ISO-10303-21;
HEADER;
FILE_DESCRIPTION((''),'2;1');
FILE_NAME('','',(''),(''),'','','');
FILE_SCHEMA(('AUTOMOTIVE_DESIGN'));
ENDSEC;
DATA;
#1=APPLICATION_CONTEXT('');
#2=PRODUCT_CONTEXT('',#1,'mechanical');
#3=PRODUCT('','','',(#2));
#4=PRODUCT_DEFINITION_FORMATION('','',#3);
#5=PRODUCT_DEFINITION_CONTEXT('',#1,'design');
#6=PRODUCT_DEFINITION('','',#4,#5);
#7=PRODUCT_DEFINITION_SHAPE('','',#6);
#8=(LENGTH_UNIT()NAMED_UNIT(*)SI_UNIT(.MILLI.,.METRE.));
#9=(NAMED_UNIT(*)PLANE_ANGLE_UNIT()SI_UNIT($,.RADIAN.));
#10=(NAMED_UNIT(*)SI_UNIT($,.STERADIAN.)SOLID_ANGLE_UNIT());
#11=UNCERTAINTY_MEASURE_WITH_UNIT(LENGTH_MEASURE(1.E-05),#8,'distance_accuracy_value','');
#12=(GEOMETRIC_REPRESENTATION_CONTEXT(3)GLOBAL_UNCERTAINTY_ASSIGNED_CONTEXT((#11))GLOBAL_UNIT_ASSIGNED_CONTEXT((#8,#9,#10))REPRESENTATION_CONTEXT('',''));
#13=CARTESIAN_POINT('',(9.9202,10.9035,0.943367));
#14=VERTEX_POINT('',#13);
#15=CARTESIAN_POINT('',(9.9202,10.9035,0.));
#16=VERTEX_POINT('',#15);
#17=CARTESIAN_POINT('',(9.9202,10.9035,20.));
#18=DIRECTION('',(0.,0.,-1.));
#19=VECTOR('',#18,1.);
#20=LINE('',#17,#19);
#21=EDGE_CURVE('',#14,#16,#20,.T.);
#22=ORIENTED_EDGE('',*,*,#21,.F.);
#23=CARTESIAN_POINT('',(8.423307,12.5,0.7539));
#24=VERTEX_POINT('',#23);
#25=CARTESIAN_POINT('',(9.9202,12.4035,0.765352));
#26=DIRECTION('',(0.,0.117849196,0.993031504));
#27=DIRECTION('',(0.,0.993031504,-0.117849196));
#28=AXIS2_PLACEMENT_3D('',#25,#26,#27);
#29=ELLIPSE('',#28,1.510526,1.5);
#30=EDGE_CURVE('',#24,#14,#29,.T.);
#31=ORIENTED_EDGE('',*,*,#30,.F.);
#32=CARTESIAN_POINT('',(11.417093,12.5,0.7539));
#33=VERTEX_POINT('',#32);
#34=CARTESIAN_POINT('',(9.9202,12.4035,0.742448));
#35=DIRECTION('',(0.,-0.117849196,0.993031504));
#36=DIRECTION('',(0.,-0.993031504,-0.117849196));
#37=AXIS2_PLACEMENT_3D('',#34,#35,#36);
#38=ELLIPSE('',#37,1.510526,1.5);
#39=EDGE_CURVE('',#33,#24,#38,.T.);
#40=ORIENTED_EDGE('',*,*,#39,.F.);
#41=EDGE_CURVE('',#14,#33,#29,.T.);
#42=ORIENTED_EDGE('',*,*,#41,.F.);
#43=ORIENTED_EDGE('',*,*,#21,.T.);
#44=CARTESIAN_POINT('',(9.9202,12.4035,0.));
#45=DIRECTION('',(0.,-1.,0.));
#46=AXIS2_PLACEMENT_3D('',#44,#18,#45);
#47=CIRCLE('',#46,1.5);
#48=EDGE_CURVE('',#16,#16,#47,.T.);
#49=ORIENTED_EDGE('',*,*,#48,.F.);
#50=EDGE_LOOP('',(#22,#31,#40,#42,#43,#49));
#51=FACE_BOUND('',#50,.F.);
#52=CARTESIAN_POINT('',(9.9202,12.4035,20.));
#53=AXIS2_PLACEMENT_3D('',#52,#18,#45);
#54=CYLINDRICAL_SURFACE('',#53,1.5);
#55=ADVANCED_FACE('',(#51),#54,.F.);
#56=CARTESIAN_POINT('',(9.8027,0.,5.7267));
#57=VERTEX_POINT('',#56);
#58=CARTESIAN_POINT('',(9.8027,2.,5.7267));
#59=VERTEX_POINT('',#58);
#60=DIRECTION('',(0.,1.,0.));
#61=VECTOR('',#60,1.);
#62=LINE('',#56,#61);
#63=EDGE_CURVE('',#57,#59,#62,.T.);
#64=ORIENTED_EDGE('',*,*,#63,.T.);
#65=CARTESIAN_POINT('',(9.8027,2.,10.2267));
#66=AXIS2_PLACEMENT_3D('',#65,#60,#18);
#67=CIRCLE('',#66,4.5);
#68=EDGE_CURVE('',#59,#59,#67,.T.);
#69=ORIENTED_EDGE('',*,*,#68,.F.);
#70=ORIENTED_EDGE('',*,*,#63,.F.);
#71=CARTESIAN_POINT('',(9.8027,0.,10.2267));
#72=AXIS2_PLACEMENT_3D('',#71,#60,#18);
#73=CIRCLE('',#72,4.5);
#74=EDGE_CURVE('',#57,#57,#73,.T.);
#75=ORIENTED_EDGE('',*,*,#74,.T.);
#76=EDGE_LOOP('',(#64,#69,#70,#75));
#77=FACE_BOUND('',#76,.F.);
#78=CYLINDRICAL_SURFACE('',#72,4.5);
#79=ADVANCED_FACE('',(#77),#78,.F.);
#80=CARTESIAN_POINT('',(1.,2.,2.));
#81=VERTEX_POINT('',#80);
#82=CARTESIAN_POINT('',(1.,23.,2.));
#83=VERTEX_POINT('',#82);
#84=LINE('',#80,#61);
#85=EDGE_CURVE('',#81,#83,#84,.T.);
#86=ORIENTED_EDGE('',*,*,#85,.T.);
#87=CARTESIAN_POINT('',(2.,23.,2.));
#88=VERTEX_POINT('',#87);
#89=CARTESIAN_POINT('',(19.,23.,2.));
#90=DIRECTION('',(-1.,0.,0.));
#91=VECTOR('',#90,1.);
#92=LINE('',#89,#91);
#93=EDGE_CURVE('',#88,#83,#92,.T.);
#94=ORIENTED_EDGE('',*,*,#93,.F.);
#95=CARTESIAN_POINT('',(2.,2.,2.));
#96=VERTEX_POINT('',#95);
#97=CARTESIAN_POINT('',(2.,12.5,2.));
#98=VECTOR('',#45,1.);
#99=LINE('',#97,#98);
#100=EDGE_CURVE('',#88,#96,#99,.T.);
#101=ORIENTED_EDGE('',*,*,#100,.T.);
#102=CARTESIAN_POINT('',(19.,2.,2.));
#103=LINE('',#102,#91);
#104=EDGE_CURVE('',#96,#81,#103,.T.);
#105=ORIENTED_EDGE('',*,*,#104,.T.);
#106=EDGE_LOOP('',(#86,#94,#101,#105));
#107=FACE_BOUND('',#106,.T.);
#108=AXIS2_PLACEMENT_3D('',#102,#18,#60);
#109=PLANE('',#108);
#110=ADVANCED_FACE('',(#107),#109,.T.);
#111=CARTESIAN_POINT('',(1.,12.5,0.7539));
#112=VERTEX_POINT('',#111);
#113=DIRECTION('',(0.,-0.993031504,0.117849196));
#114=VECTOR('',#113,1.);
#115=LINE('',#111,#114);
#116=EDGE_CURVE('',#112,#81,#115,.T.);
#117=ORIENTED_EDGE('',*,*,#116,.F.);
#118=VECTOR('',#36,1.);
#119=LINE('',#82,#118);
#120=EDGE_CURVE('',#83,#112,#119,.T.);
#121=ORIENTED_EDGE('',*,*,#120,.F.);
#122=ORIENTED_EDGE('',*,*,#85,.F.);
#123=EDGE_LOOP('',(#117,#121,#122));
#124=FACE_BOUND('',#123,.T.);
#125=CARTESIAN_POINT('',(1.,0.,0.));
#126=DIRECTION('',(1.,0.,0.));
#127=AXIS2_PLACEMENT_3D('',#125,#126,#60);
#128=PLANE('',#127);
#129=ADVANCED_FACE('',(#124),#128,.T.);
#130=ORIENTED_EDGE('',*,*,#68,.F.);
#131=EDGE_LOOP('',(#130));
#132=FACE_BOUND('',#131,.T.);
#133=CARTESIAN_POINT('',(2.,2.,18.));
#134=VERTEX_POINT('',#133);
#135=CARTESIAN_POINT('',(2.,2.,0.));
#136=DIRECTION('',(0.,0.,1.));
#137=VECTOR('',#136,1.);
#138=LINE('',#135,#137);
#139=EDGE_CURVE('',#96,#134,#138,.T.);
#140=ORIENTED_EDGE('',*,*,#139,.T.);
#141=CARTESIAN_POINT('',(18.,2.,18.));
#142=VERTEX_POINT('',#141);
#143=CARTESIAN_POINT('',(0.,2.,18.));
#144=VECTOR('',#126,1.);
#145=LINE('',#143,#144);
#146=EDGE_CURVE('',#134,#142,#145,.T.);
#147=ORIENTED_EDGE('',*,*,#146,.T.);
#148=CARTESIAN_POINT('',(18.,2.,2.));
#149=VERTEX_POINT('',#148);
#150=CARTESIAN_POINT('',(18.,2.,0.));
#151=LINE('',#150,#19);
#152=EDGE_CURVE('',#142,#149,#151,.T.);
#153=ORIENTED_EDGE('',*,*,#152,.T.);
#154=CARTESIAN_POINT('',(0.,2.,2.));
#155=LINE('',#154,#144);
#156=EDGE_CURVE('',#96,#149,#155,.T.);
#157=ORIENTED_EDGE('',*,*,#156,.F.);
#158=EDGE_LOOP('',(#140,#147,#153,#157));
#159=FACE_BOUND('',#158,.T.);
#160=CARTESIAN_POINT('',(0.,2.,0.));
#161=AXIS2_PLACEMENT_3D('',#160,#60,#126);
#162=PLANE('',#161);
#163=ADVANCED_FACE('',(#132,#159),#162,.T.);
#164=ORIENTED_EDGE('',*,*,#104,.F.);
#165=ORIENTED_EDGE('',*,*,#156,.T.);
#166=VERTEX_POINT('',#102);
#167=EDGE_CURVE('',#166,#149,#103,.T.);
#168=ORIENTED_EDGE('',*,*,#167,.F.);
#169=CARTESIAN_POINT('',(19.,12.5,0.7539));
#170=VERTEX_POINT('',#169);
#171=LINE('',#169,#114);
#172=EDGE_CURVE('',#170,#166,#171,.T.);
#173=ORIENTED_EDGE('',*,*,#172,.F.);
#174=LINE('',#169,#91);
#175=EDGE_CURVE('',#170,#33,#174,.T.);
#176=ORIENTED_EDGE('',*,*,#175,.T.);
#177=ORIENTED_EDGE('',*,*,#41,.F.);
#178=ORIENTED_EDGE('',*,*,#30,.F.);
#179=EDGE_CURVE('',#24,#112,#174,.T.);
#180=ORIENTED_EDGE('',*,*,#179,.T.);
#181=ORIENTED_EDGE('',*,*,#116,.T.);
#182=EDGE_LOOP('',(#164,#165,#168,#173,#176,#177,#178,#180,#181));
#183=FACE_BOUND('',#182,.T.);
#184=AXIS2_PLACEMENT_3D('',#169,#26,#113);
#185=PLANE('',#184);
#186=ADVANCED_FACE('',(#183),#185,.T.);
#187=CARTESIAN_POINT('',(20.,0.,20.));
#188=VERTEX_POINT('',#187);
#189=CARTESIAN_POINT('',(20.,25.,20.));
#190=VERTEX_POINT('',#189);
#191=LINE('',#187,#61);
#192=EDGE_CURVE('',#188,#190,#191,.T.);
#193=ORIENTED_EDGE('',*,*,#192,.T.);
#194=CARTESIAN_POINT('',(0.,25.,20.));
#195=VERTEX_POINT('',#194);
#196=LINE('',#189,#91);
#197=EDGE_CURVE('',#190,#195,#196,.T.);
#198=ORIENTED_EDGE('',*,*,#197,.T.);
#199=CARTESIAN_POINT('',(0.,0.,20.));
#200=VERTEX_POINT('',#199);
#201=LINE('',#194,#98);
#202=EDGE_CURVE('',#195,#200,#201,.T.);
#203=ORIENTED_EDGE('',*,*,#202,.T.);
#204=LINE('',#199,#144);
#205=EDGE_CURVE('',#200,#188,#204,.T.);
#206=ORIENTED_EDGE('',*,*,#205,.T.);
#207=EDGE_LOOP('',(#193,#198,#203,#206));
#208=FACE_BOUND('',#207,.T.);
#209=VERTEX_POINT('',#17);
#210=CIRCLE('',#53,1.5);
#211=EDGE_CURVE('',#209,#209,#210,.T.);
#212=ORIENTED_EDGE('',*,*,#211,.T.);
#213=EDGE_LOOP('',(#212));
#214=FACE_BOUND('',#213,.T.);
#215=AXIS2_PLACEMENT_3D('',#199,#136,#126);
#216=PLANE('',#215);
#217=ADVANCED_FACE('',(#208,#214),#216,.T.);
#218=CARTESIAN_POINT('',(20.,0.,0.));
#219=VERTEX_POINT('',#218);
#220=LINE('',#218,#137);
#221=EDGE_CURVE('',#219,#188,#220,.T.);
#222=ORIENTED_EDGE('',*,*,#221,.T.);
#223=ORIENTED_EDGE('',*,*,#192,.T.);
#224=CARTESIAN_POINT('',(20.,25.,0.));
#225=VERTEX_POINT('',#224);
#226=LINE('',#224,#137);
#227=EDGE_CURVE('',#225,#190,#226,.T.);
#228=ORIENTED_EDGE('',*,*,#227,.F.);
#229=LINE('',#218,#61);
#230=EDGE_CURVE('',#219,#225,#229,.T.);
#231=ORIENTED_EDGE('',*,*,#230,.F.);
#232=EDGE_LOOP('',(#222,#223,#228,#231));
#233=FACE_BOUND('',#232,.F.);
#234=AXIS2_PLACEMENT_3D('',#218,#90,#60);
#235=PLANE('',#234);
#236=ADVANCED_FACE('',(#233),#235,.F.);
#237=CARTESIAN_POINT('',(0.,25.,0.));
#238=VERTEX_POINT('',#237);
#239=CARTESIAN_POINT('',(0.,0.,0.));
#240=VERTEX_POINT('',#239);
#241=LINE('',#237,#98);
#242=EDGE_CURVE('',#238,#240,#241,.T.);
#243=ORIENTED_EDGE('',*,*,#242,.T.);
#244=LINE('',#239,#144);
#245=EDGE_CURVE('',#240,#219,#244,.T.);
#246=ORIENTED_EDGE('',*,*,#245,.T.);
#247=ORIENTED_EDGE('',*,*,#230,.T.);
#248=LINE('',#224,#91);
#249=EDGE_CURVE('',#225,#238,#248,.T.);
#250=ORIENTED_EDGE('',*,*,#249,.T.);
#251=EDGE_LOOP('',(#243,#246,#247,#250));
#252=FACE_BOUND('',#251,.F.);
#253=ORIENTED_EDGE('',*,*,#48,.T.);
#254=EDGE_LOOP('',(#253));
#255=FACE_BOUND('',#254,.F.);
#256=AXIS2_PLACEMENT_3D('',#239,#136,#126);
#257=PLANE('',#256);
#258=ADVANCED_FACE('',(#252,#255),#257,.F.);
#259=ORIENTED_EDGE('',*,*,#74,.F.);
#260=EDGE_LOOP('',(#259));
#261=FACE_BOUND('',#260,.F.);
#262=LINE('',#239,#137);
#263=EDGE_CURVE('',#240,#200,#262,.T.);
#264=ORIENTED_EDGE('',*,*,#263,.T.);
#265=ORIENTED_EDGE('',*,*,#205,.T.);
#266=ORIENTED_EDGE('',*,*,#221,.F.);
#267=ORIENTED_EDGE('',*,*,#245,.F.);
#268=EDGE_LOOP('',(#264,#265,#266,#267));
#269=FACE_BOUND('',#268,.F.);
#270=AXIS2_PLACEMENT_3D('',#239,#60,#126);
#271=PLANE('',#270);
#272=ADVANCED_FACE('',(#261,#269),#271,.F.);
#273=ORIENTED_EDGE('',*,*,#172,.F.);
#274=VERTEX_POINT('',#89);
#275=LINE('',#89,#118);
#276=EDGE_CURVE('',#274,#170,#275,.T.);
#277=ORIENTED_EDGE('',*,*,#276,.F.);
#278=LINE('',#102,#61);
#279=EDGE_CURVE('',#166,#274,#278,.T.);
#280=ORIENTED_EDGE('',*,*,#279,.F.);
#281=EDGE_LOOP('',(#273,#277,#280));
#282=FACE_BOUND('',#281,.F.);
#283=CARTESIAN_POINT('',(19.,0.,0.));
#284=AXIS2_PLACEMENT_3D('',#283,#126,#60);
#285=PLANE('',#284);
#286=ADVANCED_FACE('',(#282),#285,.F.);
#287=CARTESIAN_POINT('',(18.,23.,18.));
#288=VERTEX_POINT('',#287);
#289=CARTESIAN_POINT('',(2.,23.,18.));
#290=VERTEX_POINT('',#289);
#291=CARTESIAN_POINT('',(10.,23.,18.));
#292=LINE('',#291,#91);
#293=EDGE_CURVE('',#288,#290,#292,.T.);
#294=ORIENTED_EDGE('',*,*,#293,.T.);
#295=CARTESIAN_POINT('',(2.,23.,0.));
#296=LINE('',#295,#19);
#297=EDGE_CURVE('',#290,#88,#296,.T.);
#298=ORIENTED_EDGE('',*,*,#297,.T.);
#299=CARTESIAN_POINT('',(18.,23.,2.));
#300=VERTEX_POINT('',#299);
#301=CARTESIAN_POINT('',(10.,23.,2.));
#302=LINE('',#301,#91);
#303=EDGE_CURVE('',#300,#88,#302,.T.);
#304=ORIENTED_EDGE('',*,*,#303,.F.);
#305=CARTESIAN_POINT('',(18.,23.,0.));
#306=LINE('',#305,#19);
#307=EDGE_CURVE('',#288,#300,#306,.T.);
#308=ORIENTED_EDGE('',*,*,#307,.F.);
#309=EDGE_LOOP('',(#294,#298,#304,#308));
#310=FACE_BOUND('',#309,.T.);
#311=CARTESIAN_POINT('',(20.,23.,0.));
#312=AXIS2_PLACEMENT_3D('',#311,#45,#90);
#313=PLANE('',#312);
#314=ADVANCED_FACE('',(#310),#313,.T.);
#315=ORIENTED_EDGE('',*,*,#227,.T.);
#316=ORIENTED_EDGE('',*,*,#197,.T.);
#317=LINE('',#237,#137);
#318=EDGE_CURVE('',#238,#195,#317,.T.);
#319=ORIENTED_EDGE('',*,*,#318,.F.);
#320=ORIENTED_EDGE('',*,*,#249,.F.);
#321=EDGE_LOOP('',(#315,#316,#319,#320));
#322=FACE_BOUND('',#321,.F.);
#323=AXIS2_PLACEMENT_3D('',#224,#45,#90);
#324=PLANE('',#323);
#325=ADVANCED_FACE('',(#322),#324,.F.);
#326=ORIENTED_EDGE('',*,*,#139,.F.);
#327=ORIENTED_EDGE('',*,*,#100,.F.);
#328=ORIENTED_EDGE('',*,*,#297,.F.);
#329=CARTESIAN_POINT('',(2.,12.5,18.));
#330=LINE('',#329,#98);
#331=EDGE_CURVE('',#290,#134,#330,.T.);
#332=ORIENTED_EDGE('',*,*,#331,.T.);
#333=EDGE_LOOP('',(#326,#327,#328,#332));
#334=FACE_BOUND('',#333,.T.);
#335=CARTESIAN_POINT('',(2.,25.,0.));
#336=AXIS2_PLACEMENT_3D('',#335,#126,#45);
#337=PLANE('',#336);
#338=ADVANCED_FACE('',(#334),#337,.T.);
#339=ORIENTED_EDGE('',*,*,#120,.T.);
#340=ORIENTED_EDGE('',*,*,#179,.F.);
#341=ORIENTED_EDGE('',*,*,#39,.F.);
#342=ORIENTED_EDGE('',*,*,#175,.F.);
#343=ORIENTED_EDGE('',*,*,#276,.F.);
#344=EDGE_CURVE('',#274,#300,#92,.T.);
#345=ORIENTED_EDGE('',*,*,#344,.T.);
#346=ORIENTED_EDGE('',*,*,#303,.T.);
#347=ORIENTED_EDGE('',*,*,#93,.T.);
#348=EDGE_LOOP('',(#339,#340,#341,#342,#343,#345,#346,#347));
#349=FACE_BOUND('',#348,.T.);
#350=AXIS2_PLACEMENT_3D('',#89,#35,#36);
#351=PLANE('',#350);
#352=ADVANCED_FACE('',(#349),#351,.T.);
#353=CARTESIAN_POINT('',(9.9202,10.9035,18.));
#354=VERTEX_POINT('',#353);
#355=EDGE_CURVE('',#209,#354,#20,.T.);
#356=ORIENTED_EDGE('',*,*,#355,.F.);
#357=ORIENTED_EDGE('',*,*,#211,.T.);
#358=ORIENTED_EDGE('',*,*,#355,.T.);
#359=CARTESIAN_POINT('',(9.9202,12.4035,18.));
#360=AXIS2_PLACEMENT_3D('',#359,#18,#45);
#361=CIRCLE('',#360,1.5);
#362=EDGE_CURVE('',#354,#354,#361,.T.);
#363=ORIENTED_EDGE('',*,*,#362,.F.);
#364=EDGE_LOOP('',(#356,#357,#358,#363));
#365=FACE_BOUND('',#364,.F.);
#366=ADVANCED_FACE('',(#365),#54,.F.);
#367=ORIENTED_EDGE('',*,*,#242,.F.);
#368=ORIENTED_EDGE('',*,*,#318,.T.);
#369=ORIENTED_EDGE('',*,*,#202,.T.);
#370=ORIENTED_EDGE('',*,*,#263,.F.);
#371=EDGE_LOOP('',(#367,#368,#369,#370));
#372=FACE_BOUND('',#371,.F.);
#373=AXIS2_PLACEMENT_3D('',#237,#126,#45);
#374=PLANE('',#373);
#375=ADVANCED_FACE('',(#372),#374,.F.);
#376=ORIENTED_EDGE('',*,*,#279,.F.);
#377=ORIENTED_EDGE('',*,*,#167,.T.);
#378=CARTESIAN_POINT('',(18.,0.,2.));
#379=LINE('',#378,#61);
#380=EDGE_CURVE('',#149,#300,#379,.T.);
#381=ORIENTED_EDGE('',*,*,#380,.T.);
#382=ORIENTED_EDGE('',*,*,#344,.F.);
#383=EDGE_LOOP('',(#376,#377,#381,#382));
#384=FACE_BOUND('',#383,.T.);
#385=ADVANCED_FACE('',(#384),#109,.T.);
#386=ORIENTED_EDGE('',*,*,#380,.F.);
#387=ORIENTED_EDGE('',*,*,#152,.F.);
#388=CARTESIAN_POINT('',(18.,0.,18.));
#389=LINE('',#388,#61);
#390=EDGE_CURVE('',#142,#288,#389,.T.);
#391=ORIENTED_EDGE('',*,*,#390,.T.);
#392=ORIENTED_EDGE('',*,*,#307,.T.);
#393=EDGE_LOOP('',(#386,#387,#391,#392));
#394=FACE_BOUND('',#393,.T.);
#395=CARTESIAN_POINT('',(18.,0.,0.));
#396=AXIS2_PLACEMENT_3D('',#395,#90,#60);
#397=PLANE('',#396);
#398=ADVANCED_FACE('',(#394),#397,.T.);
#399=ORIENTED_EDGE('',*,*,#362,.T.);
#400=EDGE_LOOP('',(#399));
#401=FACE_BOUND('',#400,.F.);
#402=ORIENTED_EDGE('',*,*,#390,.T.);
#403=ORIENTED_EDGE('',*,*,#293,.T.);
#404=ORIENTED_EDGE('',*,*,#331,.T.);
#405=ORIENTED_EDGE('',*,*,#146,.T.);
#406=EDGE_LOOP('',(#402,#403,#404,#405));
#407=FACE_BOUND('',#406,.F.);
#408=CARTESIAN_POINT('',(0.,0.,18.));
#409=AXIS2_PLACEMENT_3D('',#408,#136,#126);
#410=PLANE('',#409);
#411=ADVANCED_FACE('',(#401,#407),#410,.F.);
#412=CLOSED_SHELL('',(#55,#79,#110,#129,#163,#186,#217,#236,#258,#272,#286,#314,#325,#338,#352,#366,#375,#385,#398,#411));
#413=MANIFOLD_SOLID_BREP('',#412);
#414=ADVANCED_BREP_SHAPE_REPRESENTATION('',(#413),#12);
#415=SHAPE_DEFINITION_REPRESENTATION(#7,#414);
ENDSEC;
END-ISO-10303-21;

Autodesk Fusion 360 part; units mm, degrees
sketch "Sketch1" plane through (0, 0, 0) normal (0, 0, 1) x (1, 0, 0)
  line L0 (0, 0) -> (20, 0)
  line L1 (20, 0) -> (20, 25)
  line L2 (20, 25) -> (0, 25)
  line L3 (0, 25) -> (0, 0)
extrude "Extrude1" add sketch "Sketch1" along normal blind 20
sketch "Sketch2" plane through (0, 0, 0) normal (0, 0, -1) x (1, 0, 0)
  line L0 (0, 0) -> (0, -25)
  line L1 (0, -25) -> (20, -25)
  line L2 (20, -25) -> (20, 0)
  line L3 (20, 0) -> (0, 0)
shell "Shell1" thickness 2 removed faces 0 bodies 1
sketch "Sketch3" plane through (0, 0, 20) normal (0, 0, 1) x (-1, 0, 0)
  line L0 (0, -25) -> (0, 0)
  line L1 (0, 0) -> (-20, 0)
  line L2 (-20, 0) -> (-20, -25)
  line L3 (-20, -25) -> (0, -25)
hole "Hole1" at (9.9202, 12.4035, 20) direction (0, 0, -1) diameter 3 depth 25 tip angle 118
hole "Hole2" at (9.8027, 0, 10.2267) direction (0, 1, 0) diameter 9 depth 4 tip angle 118
sketch "Sketch4" plane through (20, 0, 0) normal (1, 0, 0) x (0, 1, 0)
  line L0 (0, 0) -> (25, 0)
  line L1 (25, 0) -> (25, 20)
  line L2 (25, 20) -> (0, 20)
  line L3 (0, 20) -> (0, 0)
  line L4 (12.5, 0.7539) -> (2, 2)
  line L5 (2, 2) -> (23, 2)
  line L6 (23, 2) -> (12.5, 0.7539)
  line L7 (2, 2) -> (23, 2)
  line L8 (2, 2) -> (12.5, 0.7539)
  line L9 (23, 2) -> (12.5, 0.7539)
extrude "Extrude2" cut sketch "Sketch4" against normal blind 18 from surface at -1 contours L4 L5 L6 L7 L8 L9
sketch "Sketch5" plane through (0, 25, 0) normal (0, 1, 0) x (-1, 0, 0)
  line L0 (-20, 0) -> (0, 0)
  line L1 (0, 0) -> (0, 20)
  line L2 (0, 20) -> (-20, 20)
  line L3 (-20, 20) -> (-20, 0)
  line L4 (-10, 0.754) -> (-18, 2)
  line L5 (-18, 2) -> (-2, 2)
  line L6 (-2, 2) -> (-10, 0.754)
